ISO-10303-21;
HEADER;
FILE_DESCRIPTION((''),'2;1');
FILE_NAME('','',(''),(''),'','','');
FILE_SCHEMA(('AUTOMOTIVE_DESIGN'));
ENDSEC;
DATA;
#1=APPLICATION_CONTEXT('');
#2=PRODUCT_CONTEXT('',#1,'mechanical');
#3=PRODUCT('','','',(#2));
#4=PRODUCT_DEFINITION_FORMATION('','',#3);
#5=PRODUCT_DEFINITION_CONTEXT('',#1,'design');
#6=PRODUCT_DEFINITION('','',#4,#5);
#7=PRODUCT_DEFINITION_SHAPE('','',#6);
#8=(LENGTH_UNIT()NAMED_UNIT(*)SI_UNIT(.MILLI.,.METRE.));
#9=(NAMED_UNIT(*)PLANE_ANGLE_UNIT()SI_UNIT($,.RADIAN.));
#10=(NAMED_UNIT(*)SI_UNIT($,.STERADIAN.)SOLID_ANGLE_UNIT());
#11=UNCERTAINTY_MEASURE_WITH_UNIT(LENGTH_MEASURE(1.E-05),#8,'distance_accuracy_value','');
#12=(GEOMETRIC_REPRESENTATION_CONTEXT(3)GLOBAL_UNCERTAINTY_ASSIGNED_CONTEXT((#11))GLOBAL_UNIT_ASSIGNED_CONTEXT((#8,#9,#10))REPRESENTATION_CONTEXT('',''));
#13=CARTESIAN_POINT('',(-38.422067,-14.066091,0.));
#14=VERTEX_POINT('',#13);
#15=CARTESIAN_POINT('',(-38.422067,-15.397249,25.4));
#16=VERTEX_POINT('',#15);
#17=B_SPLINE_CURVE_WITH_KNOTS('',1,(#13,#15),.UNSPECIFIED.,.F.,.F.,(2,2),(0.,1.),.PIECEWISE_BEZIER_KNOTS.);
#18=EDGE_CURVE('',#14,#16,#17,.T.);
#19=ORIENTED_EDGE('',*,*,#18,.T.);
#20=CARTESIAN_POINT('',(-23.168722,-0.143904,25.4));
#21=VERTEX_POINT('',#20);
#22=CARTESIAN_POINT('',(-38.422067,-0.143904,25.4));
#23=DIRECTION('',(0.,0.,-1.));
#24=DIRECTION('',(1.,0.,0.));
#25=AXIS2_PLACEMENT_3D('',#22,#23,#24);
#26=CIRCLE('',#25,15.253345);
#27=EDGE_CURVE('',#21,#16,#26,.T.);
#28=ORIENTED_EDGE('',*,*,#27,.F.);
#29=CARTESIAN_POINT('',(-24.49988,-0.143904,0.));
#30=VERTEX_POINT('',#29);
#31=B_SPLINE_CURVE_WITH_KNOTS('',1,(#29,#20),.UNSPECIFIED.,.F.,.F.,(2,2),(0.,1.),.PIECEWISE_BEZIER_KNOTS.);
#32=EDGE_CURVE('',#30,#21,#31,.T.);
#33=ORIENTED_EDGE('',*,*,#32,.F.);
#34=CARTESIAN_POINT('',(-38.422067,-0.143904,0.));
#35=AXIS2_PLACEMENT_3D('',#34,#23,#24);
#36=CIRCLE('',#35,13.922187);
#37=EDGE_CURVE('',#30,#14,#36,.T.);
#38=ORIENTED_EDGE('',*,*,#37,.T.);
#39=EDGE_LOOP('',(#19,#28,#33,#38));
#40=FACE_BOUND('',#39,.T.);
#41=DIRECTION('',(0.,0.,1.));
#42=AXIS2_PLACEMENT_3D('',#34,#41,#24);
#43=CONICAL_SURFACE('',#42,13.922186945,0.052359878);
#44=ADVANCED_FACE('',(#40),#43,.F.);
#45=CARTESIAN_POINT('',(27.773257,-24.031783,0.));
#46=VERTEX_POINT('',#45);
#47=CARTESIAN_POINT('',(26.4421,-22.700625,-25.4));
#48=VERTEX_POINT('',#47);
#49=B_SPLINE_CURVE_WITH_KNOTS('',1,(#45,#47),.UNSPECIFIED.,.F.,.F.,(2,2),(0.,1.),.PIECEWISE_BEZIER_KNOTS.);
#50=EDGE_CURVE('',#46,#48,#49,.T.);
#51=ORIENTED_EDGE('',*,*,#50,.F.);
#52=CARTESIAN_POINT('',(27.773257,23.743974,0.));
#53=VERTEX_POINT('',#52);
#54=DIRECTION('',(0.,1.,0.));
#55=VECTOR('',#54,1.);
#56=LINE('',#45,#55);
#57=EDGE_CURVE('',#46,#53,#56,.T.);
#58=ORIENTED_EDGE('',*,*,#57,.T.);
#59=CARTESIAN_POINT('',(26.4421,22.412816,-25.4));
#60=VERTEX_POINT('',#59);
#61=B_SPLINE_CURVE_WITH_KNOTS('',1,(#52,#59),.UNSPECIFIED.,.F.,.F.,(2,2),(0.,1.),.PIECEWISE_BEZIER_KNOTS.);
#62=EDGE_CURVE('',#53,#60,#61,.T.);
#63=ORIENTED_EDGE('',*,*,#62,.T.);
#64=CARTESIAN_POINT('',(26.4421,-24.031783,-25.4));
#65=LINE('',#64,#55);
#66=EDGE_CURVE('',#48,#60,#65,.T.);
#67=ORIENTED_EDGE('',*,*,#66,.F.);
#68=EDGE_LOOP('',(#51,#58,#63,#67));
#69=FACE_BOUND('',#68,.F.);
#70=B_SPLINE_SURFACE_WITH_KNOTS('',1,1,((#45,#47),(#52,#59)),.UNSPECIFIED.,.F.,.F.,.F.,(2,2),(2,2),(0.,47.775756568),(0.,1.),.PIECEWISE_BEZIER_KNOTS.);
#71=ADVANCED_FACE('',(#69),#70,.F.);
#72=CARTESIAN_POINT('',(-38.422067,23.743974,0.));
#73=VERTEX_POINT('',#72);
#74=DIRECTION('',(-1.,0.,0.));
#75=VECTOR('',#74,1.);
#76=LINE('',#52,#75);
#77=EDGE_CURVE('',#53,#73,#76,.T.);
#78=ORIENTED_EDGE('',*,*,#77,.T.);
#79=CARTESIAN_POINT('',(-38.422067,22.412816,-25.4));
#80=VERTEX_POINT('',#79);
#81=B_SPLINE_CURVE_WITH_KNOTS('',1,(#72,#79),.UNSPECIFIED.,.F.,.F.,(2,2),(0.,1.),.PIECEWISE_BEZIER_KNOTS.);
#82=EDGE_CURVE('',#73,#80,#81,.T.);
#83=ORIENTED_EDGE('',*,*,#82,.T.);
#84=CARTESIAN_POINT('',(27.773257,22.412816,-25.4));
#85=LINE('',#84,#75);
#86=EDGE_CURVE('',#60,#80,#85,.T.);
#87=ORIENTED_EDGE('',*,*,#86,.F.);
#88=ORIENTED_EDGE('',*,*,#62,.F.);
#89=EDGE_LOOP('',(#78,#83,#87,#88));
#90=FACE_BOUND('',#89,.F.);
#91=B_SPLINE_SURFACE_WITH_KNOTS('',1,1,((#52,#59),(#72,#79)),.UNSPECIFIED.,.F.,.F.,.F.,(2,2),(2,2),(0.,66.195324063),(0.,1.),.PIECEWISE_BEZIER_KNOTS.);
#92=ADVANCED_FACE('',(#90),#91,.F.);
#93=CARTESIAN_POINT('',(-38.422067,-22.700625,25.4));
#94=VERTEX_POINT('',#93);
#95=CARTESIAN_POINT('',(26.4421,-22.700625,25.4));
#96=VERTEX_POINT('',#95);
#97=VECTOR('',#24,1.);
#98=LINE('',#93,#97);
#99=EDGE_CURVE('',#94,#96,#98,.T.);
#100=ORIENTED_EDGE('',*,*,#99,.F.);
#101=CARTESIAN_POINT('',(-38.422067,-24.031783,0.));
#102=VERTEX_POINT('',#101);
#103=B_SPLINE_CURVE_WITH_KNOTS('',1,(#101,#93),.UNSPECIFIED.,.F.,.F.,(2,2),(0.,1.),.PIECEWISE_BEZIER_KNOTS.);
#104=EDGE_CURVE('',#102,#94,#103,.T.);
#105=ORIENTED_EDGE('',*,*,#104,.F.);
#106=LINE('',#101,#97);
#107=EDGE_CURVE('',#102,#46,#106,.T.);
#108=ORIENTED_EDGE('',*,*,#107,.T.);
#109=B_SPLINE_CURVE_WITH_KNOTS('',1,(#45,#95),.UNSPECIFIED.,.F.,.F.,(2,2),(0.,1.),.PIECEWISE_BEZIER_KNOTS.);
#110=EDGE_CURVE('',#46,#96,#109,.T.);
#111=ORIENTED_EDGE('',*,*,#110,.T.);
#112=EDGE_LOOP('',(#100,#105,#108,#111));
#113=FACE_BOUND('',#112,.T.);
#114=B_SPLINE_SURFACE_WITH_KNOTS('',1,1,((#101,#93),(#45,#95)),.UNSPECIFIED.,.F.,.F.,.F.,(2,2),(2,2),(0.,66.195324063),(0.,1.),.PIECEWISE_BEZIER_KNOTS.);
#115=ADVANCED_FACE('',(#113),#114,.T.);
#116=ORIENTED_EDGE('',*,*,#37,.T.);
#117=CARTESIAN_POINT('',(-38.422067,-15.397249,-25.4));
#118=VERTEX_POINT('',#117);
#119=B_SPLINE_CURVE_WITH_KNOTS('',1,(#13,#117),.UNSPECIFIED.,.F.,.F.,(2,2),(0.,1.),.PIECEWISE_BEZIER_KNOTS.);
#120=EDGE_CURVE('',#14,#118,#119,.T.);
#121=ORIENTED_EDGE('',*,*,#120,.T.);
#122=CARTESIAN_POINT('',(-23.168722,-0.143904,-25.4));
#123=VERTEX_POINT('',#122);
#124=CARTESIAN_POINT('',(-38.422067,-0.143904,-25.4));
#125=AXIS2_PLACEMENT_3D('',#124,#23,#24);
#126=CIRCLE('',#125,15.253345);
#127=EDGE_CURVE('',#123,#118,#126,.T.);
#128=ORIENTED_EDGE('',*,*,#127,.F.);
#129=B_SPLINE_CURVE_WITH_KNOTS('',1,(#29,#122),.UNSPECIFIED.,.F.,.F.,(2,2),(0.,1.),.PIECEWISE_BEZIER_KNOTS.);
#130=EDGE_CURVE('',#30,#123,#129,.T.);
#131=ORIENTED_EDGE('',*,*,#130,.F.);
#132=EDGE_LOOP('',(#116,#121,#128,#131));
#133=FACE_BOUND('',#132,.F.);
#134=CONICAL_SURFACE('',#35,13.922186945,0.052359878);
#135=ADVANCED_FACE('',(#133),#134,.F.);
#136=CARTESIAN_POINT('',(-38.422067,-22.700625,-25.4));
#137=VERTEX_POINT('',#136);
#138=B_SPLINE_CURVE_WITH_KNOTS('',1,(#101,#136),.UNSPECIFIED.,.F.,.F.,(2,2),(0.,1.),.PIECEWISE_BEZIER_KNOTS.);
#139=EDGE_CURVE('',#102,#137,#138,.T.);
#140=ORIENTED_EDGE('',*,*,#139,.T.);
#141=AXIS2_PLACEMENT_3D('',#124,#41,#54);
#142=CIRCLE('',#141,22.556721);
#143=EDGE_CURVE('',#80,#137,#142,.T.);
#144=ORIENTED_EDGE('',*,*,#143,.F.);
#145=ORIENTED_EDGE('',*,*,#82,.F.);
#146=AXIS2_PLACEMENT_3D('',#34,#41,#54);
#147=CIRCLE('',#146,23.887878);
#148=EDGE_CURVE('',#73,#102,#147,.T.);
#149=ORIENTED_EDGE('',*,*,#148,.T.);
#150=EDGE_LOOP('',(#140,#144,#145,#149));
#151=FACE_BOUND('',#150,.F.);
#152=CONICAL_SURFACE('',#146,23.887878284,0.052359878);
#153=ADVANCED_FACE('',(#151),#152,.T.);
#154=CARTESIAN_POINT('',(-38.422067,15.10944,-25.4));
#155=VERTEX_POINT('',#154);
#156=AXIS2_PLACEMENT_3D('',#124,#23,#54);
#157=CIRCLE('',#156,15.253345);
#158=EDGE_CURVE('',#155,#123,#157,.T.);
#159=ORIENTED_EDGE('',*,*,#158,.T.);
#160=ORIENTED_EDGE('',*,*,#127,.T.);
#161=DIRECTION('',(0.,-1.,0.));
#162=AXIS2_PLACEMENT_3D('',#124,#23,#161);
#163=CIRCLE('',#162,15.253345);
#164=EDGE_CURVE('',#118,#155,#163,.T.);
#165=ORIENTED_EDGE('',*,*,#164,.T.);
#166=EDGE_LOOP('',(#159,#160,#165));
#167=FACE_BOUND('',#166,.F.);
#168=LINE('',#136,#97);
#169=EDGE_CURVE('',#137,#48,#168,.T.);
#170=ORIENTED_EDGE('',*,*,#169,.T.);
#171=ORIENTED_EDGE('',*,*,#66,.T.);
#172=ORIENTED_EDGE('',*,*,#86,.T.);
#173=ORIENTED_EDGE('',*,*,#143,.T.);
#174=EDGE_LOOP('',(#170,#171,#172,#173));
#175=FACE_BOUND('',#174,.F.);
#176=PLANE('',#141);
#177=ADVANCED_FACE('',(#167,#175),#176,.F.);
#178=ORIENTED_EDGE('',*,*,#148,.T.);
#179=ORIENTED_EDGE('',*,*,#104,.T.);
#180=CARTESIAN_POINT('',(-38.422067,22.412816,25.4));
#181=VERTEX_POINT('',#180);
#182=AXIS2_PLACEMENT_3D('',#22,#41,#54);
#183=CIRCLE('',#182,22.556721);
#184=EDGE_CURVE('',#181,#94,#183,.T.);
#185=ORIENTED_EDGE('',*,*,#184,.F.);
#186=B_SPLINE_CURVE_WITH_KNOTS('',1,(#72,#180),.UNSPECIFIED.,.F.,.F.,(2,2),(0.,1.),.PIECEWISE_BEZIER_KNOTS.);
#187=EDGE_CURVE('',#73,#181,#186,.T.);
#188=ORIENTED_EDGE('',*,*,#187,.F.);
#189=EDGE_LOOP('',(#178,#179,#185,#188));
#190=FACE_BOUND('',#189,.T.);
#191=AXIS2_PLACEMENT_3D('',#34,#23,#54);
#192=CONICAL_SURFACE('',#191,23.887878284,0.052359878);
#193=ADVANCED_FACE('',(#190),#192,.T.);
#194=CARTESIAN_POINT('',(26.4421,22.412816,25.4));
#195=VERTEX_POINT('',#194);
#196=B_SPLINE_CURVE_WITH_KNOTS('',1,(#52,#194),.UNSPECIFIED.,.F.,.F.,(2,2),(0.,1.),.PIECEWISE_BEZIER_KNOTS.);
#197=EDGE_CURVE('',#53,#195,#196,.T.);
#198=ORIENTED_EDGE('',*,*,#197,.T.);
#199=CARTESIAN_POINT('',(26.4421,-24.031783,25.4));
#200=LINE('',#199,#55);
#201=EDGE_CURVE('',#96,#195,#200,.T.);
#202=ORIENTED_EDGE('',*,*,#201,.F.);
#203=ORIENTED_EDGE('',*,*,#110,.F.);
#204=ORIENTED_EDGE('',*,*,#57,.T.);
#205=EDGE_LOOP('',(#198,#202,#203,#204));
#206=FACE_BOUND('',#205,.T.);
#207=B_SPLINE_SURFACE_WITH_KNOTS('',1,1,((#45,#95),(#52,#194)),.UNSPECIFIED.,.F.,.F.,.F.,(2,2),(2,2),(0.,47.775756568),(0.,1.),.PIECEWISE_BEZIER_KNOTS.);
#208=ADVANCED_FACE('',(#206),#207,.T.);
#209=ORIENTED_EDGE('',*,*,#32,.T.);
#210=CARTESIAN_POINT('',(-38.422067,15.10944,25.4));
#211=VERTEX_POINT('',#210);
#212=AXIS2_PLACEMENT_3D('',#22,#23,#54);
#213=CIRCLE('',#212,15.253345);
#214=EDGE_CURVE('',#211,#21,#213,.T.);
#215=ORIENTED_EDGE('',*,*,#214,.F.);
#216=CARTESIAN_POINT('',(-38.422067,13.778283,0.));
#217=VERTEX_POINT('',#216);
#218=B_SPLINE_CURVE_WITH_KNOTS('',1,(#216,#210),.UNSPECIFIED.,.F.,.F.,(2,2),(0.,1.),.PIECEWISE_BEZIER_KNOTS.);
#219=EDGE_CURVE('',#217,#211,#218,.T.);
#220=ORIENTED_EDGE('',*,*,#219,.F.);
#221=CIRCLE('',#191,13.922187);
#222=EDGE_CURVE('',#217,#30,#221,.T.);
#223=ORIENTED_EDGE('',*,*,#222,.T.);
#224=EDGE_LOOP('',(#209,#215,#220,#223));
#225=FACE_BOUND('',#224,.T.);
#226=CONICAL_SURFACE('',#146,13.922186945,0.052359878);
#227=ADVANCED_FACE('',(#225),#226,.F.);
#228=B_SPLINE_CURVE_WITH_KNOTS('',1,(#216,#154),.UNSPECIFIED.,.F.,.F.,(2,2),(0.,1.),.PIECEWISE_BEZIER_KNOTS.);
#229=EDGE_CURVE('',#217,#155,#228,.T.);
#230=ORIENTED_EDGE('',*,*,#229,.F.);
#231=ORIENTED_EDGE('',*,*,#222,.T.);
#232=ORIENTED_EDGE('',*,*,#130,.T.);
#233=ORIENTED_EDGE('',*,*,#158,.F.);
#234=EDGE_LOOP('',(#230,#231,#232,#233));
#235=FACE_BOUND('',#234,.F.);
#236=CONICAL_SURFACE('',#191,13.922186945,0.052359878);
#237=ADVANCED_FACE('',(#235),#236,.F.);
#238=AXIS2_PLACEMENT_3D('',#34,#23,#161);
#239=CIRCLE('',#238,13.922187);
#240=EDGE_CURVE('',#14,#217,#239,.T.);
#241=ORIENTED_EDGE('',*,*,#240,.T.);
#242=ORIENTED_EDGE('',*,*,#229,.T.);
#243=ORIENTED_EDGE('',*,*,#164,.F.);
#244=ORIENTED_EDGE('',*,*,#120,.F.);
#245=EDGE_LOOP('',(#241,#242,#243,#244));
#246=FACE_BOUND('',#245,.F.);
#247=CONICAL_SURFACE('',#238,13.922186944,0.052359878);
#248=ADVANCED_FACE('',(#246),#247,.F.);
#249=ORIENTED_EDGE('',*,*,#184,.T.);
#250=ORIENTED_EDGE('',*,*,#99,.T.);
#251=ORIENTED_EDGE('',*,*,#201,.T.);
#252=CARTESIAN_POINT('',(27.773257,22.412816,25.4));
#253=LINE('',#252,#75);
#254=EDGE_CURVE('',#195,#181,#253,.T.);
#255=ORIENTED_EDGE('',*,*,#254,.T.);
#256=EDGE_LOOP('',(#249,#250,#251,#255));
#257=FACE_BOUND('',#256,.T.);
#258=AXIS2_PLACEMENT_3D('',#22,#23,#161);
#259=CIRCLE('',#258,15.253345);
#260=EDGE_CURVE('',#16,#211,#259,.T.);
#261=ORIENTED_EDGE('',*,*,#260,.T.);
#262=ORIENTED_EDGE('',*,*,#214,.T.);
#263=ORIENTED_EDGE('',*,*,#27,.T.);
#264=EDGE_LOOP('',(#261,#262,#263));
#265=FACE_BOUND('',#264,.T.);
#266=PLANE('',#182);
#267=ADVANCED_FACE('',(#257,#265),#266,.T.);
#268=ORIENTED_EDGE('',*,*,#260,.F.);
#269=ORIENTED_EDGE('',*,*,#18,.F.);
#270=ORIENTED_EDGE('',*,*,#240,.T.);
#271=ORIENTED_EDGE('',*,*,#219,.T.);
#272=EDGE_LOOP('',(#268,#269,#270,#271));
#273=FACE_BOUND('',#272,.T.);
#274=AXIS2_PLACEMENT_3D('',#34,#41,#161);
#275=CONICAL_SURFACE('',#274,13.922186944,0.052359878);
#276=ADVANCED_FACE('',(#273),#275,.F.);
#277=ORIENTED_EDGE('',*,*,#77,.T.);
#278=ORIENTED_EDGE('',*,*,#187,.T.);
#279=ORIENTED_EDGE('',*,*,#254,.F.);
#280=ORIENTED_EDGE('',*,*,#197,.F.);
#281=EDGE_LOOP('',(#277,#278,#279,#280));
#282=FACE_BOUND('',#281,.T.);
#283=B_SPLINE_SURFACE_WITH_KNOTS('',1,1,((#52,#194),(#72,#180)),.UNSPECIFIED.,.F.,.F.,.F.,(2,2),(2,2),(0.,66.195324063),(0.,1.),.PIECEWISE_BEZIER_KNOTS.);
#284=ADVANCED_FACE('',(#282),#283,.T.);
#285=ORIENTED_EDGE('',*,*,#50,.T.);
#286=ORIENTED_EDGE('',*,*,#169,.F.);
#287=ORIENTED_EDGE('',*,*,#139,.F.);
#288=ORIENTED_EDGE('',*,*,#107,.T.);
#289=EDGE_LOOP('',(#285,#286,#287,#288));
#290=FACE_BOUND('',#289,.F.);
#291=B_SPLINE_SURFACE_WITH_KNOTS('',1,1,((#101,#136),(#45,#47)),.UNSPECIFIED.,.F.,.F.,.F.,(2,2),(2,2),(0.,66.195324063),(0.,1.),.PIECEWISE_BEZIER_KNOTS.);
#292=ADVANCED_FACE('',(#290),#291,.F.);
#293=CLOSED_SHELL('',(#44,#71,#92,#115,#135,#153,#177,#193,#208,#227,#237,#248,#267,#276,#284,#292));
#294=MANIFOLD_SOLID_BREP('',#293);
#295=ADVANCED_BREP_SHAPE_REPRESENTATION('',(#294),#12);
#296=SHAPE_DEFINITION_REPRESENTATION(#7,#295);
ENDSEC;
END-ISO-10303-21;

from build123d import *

# Parameters (mm, degrees)
F1_DEPTH      = 25.4
F1_TAPER      = 3
F1_DEPTH_BACK = 25.4
F1_TAPER_BACK = 3


with BuildPart() as f1:
    # F0 (on Top) → F1 (new body, two sides)
    with BuildSketch(Plane.XY) as f1_sk:
        with BuildLine():
            Line((27.773257345, -24.0317825228), (27.773257345, 23.7439740449))
            Line((27.773257345, 23.7439740449), (-38.4220667183, 23.7439740449))
            ThreePointArc((-38.4220667183, 23.7439740449), (-21.5307859957, 16.7473764837), (-14.5341884345, -0.1439042389))
            ThreePointArc((-14.5341884345, -0.1439042389), (-21.5307859957, -17.0351849616), (-38.4220667183, -24.0317825228))
            Line((-38.4220667183, -24.0317825228), (27.773257345, -24.0317825228))
        make_face()
        with BuildLine():
            ThreePointArc((-14.5341884345, -0.1439042389), (-21.5307859957, 16.7473764837), (-38.4220667183, 23.7439740449))
            Line((-38.4220667183, 23.7439740449), (-38.4220667183, 13.7782827055))
            ThreePointArc((-38.4220667183, 13.7782827055), (-28.577593921, 9.7005685584), (-24.4998797739, -0.1439042389))
            ThreePointArc((-24.4998797739, -0.1439042389), (-28.577593921, -9.9883770363), (-38.4220667183, -14.0660911834))
            Line((-38.4220667183, -14.0660911834), (-38.4220667183, -24.0317825228))
            ThreePointArc((-38.4220667183, -24.0317825228), (-21.5307859957, -17.0351849616), (-14.5341884345, -0.1439042389))
        make_face()
        with BuildLine():
            Line((-38.4220667183, 13.7782827055), (-38.4220667183, 23.7439740449))
            ThreePointArc((-38.4220667183, 23.7439740449), (-62.3099450022, -0.1439042389), (-38.4220667183, -24.0317825228))
            Line((-38.4220667183, -24.0317825228), (-38.4220667183, -14.0660911834))
            ThreePointArc((-38.4220667183, -14.0660911834), (-52.3442536628, -0.1439042389), (-38.4220667183, 13.7782827055))
        make_face()
    extrude(amount=F1_DEPTH, taper=F1_TAPER)
    extrude(f1_sk.sketch, amount=-F1_DEPTH_BACK, taper=F1_TAPER_BACK)


solid = f1.part
